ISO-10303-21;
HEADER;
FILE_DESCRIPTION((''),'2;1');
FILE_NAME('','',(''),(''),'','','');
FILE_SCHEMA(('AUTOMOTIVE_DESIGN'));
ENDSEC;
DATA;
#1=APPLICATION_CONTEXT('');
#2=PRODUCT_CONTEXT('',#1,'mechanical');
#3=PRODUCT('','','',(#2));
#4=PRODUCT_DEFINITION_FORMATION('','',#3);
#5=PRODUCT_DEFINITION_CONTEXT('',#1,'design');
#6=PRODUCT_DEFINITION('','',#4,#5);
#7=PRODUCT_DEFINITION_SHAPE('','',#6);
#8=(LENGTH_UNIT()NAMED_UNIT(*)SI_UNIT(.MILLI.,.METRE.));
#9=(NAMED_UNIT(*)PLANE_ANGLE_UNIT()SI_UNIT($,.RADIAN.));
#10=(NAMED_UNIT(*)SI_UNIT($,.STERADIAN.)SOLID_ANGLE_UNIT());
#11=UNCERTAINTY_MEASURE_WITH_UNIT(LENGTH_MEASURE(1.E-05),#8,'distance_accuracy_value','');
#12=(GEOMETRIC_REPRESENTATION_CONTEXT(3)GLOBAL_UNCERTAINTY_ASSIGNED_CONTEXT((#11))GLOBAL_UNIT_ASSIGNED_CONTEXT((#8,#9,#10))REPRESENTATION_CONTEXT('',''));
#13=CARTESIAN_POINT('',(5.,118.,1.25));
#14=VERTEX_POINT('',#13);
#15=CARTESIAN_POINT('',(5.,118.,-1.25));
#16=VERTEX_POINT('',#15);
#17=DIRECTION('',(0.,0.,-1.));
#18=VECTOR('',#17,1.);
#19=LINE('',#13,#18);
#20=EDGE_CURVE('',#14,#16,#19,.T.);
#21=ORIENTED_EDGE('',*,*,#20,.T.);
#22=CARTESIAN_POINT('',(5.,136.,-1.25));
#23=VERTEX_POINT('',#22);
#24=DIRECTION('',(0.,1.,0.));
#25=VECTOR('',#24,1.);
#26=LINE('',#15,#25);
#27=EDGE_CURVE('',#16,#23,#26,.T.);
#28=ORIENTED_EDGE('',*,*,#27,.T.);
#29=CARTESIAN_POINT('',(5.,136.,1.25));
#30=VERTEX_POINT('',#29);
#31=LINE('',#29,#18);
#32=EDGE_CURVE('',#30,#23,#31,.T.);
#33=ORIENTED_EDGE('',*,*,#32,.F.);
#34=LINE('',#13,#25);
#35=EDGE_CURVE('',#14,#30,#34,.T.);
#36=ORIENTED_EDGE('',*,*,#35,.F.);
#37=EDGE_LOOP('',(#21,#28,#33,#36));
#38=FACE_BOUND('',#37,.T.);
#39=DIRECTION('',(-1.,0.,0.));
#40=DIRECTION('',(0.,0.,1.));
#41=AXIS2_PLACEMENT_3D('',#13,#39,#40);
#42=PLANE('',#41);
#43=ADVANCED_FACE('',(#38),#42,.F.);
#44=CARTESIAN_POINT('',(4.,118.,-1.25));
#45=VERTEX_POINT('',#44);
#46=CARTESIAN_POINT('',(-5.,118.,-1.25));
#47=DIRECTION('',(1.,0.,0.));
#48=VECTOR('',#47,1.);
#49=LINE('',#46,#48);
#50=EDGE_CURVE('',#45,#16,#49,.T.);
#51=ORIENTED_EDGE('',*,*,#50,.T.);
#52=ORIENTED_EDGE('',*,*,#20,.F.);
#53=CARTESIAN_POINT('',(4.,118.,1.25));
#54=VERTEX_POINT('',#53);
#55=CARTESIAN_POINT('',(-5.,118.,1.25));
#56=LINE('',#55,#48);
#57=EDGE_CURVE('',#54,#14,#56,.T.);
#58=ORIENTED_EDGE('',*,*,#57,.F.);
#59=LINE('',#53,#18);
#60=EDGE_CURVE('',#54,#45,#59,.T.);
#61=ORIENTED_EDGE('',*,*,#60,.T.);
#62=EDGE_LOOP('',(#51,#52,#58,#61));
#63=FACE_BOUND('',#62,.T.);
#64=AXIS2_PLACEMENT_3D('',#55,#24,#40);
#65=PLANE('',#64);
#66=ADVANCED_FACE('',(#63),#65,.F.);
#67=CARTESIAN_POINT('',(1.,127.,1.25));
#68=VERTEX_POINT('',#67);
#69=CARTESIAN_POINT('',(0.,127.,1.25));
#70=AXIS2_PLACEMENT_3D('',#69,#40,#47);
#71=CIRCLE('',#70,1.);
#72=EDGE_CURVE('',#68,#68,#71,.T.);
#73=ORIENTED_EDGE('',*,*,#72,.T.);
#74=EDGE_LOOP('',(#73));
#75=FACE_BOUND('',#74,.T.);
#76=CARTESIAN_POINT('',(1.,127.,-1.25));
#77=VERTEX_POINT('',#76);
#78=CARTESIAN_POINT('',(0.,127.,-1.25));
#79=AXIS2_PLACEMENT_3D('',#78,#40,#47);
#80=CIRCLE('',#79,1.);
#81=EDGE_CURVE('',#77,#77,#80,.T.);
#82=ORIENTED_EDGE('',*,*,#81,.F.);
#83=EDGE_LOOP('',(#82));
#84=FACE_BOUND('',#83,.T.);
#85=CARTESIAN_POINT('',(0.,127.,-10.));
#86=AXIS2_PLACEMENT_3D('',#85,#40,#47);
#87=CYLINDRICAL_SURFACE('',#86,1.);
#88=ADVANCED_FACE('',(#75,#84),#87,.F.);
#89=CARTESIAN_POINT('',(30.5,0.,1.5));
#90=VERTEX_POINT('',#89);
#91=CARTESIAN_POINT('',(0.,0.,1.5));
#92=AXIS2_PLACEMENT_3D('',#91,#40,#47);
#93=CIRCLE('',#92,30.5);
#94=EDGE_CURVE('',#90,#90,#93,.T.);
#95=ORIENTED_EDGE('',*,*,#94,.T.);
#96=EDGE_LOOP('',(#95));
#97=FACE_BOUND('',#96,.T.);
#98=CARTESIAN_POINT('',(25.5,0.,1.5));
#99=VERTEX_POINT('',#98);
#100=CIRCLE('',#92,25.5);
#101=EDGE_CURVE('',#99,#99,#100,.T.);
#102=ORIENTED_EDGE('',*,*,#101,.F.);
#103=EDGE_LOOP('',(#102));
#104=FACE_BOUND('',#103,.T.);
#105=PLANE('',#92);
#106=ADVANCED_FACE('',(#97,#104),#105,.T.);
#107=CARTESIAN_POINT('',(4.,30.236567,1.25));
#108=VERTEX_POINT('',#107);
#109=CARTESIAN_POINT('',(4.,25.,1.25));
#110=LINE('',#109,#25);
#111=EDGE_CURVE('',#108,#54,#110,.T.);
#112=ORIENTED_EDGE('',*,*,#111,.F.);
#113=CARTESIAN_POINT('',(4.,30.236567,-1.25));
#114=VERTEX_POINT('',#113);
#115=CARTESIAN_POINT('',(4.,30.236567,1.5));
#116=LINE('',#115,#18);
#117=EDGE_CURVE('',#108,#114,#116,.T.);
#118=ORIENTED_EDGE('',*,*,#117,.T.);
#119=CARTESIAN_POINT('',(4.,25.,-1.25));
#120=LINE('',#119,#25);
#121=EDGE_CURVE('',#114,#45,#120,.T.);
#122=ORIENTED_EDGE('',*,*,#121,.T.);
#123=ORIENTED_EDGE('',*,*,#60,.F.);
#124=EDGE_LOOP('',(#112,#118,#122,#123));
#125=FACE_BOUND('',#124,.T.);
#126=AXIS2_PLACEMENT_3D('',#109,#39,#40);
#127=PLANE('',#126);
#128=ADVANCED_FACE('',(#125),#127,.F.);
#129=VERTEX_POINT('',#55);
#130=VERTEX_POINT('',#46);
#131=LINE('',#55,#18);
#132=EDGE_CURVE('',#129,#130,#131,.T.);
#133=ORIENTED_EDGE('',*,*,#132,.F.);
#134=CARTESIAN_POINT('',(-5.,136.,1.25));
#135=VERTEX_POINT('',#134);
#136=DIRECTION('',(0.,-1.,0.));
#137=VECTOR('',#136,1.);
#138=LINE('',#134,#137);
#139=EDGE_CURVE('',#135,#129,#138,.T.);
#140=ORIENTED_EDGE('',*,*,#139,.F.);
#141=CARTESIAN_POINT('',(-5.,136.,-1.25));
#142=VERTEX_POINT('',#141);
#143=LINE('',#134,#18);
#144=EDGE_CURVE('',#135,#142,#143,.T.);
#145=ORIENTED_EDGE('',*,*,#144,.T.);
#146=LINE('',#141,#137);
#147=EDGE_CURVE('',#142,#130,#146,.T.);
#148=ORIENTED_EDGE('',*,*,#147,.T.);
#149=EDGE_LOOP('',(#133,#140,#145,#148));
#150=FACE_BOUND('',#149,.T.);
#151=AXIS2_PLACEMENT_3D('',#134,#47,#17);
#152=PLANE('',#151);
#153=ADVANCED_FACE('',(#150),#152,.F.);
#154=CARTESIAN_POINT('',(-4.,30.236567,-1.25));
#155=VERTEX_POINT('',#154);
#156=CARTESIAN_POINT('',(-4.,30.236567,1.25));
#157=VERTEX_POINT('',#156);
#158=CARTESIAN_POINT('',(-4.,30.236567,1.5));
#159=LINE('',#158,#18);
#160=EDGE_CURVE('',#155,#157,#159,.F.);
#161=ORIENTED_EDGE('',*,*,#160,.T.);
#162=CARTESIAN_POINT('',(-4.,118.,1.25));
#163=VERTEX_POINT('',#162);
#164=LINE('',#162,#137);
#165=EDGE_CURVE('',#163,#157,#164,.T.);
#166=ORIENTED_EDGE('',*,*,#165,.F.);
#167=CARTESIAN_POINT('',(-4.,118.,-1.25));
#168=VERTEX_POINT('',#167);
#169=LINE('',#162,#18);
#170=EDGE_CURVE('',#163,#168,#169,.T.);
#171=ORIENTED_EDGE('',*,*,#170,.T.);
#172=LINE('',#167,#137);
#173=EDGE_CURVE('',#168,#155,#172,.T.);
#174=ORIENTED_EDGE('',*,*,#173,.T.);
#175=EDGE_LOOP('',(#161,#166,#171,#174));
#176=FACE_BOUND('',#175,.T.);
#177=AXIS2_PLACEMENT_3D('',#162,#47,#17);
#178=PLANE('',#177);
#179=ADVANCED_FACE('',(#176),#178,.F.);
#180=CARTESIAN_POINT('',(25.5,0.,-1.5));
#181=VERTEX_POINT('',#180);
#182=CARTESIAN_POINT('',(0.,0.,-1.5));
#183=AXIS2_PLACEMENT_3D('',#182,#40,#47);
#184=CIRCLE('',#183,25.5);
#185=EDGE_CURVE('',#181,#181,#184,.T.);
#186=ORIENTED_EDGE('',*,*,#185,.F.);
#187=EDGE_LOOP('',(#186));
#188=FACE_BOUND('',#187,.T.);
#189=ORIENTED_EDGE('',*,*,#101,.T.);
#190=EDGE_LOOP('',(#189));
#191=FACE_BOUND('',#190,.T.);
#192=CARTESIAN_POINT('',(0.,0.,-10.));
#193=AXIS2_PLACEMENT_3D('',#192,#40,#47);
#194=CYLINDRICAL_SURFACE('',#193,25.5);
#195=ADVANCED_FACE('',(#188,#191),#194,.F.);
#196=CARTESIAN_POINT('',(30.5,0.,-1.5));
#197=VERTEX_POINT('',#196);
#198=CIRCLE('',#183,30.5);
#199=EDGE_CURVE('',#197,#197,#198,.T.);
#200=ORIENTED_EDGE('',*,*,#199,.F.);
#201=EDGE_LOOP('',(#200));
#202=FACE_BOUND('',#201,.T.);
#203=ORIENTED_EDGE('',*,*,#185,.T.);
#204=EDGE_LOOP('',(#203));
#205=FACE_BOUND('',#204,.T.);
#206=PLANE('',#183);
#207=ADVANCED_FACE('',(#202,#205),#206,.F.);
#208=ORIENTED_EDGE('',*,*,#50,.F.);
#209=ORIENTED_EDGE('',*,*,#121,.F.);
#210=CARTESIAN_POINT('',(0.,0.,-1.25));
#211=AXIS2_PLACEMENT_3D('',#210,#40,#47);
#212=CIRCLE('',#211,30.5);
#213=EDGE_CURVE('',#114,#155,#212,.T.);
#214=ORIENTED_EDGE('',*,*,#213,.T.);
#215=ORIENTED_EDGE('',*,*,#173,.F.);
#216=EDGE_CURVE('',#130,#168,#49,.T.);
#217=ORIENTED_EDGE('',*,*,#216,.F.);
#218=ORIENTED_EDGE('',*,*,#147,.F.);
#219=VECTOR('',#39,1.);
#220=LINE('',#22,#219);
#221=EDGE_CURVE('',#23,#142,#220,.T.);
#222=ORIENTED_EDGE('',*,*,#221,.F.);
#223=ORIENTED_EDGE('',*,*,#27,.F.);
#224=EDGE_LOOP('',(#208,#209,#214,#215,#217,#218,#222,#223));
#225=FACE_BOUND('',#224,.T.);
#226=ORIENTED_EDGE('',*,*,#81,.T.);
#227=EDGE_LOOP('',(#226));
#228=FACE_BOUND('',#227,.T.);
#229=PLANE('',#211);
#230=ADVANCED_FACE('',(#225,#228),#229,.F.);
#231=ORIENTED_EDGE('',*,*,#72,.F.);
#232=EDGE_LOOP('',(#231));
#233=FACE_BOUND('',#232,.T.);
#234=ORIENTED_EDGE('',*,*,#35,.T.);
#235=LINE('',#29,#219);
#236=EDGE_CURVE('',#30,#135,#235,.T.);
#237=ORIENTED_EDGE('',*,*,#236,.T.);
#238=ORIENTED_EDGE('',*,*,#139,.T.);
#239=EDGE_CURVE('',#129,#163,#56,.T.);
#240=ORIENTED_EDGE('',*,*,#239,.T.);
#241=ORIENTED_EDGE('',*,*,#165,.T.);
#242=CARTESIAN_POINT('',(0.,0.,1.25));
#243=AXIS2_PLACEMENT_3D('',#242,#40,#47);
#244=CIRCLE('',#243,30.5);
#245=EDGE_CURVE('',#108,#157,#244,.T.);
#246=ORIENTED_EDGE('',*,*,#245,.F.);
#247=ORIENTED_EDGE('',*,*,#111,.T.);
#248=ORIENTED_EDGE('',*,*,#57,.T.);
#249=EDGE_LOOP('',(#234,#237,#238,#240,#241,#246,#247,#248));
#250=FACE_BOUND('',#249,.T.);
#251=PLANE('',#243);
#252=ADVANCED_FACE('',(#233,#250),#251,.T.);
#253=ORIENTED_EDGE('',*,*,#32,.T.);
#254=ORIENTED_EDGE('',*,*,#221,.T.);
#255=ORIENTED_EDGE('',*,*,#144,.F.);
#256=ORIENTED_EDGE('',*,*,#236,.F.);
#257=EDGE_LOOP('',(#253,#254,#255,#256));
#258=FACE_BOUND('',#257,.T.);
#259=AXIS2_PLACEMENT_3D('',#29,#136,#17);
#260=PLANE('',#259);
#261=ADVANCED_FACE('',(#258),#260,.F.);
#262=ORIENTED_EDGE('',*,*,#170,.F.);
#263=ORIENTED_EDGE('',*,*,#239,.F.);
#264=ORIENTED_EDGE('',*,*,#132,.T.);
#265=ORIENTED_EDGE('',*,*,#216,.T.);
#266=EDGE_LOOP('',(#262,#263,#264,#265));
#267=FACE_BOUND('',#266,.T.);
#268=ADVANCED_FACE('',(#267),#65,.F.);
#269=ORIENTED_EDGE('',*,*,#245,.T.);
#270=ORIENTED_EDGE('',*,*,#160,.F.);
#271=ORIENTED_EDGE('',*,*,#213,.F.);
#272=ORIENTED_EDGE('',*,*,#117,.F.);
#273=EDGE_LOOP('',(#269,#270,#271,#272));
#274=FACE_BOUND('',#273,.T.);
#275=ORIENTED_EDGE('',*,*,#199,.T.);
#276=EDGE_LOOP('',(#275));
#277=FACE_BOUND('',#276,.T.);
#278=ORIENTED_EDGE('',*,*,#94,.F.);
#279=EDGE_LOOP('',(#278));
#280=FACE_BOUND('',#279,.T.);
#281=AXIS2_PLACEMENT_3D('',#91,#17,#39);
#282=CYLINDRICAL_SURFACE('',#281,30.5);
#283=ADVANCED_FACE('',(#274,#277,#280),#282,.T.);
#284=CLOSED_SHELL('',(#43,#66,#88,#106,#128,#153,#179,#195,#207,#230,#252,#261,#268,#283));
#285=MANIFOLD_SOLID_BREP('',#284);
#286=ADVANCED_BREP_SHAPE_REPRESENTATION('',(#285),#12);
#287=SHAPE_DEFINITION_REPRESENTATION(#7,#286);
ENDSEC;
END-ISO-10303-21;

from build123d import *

# Parameters (mm, degrees)
SKETCH1_R           = 30.5
BOSS_EXTRUDE1_DEPTH = 1.5
SKETCH2_W           = 8
SKETCH2_H           = 93
BOSS_EXTRUDE2_DEPTH = 1.25
SKETCH3_W           = 10
SKETCH3_H           = 18
BOSS_EXTRUDE3_DEPTH = 1.25
SKETCH4_R           = 25.5
CUT_EXTRUDE1_DEPTH  = 10
SKETCH5_R           = 1
CUT_EXTRUDE2_DEPTH  = 10


with BuildPart() as part:
    # Sketch1 → Boss-Extrude1 (new, symmetric)
    with BuildSketch(Plane.XY):
        Circle(SKETCH1_R)
    extrude(amount=BOSS_EXTRUDE1_DEPTH, both=True)

    # Sketch2 → Boss-Extrude2 (add, symmetric)
    with BuildSketch(Plane.XY):
        with Locations((0, 71.5)):
            Rectangle(SKETCH2_W, SKETCH2_H)
    extrude(amount=BOSS_EXTRUDE2_DEPTH, both=True)

    # Sketch3 → Boss-Extrude3 (add, symmetric)
    with BuildSketch(Plane.XY):
        with Locations((0, 127)):
            Rectangle(SKETCH3_W, SKETCH3_H)
    extrude(amount=BOSS_EXTRUDE3_DEPTH, both=True)

    # Sketch4 → Cut-Extrude1 (cut, symmetric)
    with BuildSketch(Plane.XY):
        Circle(SKETCH4_R)
    extrude(amount=CUT_EXTRUDE1_DEPTH, both=True, mode=Mode.SUBTRACT)

    # Sketch5 → Cut-Extrude2 (cut, symmetric)
    with BuildSketch(Plane.XY):
        with Locations((0, 127)):
            Circle(SKETCH5_R)
    extrude(amount=CUT_EXTRUDE2_DEPTH, both=True, mode=Mode.SUBTRACT)


solid = part.part
